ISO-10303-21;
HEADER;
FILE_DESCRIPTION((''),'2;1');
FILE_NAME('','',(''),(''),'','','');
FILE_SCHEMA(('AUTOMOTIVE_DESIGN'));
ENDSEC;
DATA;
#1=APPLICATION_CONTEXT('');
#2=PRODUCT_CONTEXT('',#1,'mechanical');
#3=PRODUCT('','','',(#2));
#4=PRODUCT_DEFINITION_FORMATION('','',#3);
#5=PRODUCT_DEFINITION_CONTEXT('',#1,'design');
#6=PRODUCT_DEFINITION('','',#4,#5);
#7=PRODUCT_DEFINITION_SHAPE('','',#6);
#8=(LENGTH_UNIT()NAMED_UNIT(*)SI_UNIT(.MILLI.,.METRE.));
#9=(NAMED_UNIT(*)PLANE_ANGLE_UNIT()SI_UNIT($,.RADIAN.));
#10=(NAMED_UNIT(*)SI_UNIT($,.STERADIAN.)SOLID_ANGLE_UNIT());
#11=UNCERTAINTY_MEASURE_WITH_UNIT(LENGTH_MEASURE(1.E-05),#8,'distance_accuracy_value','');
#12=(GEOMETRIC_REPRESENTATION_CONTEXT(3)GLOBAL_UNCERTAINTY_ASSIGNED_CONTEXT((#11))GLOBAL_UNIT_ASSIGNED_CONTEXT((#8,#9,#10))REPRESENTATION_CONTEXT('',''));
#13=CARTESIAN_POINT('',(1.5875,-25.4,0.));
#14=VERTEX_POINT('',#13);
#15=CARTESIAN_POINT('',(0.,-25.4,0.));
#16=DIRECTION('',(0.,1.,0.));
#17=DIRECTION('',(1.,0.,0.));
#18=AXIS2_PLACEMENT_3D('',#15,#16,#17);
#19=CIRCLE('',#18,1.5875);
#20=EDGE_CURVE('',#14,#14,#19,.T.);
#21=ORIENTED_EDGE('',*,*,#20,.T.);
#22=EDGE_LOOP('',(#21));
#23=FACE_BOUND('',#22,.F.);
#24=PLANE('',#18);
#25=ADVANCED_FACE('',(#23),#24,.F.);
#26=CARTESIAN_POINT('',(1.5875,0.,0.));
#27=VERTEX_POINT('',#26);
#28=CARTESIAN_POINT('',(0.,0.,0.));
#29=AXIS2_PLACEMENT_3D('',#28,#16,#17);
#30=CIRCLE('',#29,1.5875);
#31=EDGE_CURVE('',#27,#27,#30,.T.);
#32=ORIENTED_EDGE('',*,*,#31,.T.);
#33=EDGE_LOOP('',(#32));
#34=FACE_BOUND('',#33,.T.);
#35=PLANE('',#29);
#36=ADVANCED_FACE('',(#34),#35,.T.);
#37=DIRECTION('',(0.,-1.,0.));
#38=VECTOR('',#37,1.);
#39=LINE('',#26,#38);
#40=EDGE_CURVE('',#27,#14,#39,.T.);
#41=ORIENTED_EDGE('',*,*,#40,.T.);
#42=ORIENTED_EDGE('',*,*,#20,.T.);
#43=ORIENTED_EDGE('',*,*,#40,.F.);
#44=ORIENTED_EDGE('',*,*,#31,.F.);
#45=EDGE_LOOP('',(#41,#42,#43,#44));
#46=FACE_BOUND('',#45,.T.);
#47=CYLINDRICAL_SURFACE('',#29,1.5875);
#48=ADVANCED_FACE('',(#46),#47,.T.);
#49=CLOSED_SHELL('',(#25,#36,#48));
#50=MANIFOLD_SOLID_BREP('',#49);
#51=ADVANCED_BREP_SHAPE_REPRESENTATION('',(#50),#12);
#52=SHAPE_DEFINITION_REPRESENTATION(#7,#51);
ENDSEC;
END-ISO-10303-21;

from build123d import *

# Parameters (mm, degrees)
SKETCH1_R           = 1.5875
BOSS_EXTRUDE1_DEPTH = 25.4


with BuildPart() as part:
    # Sketch1 → Boss-Extrude1 (new body)
    with BuildSketch(Plane(origin=(0, 0, 0), x_dir=(1, 0, 0), z_dir=(0, 1, 0))):
        Circle(SKETCH1_R)
    extrude(amount=-BOSS_EXTRUDE1_DEPTH)


solid = part.part
